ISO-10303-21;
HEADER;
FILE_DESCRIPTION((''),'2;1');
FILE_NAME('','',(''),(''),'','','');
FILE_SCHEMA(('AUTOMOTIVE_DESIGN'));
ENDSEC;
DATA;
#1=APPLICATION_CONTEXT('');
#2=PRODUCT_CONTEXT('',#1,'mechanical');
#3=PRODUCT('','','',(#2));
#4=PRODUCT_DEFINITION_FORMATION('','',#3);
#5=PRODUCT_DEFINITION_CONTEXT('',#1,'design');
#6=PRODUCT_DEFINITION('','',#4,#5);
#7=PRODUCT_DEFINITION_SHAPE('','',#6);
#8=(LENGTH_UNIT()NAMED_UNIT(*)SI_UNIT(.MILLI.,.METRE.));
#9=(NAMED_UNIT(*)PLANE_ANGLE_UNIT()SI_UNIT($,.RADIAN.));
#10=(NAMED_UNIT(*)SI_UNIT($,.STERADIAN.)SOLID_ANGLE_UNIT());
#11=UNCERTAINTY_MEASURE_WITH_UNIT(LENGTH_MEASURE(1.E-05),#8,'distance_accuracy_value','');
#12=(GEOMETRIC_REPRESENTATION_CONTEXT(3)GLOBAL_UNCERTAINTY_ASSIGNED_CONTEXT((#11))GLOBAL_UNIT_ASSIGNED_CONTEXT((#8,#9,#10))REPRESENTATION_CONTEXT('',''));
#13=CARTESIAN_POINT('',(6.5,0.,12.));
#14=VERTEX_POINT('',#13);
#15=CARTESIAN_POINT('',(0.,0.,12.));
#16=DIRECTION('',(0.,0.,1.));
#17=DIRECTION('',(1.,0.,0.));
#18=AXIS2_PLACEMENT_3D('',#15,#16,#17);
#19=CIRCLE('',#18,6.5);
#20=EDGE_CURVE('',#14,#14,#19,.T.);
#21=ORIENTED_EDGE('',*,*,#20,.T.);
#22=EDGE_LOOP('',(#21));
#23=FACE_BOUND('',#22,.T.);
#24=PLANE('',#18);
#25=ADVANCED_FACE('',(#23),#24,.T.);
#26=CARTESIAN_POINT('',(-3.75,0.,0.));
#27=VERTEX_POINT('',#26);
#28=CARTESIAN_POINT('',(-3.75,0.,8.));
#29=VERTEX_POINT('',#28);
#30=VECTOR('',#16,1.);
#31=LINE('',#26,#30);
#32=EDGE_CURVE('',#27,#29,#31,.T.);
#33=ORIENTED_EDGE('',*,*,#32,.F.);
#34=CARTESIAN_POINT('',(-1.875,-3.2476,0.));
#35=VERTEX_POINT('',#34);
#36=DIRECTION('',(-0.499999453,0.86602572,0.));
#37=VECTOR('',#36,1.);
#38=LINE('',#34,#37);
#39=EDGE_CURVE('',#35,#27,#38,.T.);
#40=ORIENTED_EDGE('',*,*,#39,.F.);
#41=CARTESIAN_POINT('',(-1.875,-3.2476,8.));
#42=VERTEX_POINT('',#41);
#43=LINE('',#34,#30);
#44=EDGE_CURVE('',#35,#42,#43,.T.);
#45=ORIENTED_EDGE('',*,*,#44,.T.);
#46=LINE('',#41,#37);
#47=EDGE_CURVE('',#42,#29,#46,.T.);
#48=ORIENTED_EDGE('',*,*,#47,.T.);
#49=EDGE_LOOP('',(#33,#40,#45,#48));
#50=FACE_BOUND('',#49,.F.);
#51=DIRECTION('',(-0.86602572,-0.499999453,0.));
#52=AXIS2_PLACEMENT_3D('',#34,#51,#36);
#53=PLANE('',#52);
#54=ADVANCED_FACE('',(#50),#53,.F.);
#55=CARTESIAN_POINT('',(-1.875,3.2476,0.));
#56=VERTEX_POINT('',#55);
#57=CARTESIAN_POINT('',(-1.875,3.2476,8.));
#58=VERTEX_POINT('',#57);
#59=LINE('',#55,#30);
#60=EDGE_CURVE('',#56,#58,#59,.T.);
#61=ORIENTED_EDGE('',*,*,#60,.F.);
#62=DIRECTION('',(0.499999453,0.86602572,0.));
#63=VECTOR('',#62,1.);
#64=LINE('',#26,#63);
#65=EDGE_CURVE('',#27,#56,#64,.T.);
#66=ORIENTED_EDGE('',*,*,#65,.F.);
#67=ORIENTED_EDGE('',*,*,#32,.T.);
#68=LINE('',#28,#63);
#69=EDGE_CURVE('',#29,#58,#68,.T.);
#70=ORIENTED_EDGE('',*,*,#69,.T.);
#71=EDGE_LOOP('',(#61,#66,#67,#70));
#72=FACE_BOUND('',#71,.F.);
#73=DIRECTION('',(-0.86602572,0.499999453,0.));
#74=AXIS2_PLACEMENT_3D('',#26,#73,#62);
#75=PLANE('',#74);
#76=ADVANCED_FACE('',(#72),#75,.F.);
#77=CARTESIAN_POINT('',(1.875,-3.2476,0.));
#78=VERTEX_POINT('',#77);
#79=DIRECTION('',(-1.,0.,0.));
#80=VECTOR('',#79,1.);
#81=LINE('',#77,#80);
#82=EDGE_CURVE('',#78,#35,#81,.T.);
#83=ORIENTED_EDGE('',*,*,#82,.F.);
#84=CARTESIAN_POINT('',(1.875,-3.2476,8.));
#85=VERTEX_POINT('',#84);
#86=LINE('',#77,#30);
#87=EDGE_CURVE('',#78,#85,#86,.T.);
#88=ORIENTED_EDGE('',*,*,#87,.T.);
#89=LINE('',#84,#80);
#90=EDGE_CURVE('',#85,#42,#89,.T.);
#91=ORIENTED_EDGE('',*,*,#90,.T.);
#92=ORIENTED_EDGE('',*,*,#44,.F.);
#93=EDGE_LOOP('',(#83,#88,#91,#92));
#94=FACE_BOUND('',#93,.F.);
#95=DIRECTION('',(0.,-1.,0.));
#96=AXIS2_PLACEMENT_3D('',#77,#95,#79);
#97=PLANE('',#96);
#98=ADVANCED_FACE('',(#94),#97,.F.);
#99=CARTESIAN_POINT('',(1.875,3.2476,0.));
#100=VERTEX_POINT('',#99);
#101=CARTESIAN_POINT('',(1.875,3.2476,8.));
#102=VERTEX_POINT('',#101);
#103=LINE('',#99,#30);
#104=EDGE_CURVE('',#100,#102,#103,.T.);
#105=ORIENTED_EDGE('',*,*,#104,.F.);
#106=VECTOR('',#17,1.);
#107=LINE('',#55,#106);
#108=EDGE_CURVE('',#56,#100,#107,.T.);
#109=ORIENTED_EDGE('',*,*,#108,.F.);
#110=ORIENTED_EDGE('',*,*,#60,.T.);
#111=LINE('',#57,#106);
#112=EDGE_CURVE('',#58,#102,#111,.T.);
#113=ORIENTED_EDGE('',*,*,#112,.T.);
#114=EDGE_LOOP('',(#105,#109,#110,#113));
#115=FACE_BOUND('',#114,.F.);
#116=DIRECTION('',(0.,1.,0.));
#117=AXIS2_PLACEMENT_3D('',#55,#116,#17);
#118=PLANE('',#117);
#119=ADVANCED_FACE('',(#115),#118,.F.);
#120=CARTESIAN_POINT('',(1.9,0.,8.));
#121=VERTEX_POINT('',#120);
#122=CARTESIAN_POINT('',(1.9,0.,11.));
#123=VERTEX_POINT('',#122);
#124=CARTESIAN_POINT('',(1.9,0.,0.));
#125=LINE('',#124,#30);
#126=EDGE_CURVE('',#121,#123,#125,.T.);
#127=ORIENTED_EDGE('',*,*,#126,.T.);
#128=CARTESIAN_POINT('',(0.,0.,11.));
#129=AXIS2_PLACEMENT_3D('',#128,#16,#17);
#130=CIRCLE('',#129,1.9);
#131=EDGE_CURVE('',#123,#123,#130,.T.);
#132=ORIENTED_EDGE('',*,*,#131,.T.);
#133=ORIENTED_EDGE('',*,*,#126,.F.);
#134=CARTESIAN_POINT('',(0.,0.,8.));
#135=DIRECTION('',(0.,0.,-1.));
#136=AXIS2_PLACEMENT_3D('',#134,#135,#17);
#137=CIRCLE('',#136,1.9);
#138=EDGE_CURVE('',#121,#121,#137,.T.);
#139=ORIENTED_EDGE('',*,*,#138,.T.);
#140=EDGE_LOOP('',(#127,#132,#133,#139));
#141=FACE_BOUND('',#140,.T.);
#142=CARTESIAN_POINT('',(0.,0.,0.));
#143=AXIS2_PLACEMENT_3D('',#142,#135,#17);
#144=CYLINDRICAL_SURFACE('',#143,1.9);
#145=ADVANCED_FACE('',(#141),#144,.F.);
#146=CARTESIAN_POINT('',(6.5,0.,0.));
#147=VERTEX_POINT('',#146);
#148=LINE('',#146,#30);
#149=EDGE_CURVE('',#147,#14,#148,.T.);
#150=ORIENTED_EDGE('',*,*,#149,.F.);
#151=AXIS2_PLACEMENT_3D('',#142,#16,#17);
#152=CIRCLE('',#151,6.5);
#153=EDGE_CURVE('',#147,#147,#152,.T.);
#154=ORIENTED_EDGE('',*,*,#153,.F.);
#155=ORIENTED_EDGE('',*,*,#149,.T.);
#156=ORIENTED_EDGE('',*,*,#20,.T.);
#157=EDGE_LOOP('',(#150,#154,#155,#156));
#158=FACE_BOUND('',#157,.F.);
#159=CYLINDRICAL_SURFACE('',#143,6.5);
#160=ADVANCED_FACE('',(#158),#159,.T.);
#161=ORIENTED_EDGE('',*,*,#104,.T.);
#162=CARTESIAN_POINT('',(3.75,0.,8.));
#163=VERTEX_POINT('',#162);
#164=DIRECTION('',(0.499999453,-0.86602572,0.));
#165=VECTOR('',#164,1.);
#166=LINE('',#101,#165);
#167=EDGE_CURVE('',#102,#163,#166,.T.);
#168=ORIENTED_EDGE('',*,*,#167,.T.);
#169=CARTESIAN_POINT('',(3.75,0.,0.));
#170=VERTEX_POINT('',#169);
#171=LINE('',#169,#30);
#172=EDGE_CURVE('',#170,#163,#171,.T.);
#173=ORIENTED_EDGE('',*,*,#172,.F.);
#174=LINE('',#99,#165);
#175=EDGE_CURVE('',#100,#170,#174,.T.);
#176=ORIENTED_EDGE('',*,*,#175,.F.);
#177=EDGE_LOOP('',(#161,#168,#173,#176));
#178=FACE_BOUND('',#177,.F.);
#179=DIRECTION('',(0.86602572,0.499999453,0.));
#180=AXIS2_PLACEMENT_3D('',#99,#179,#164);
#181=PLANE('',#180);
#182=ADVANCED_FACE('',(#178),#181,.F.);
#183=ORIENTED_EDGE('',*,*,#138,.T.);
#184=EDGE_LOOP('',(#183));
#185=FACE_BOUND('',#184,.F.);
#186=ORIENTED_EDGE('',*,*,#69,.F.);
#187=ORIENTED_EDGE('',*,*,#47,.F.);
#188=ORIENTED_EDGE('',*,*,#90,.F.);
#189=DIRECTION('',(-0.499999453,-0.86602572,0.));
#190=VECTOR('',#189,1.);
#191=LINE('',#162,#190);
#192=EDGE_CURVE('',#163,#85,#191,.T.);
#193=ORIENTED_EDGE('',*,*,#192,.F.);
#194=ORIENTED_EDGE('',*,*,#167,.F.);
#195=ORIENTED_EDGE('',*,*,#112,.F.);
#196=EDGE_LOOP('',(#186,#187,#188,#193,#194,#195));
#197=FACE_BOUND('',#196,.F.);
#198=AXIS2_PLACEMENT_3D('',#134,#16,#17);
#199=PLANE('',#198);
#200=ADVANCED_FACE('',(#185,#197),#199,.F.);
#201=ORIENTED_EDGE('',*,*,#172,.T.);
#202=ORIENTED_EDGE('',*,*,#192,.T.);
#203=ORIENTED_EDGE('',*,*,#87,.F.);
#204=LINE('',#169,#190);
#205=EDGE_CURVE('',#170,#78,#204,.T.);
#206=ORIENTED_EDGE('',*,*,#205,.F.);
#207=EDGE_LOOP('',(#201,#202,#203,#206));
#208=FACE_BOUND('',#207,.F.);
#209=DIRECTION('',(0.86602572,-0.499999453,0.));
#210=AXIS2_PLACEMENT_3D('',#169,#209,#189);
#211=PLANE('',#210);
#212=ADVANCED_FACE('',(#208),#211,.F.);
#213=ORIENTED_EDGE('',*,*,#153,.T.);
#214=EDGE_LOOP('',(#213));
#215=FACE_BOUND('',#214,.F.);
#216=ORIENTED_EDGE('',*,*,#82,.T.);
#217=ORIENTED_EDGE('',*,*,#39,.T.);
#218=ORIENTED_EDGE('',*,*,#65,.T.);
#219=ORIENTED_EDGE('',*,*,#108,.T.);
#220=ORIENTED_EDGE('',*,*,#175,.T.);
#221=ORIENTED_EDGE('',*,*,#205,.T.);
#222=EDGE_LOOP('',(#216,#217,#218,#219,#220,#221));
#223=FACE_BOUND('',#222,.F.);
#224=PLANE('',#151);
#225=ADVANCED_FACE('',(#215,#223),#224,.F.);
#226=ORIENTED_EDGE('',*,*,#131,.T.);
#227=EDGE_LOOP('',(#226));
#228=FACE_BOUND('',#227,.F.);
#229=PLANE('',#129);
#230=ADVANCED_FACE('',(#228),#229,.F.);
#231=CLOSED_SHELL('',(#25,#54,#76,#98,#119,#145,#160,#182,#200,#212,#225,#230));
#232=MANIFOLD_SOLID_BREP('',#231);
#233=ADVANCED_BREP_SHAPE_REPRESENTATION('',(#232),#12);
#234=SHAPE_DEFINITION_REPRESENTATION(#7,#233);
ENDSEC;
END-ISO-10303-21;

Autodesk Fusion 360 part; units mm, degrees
sketch "post void" plane through (0, 0, 0) normal (0, 0, 1) x (1, 0, 0)
  circle A0 centre (0, 0) radius 3.75
  line L0 (0, 0) -> (1.875, 3.2476)
  line L1 (0, 0) -> (3.75, 0) construction
  line L2 (0, 0) -> (-1.875, 3.2476)
  line L3 (0, 0) -> (-3.75, 0)
  line L4 (0, 0) -> (-1.875, -3.2476)
  line L5 (0, 0) -> (1.875, -3.2476)
  line L6 (0, 0) -> (3.75, 0)
  line L7 (3.75, 0) -> (1.875, -3.2476)
  line L8 (1.875, -3.2476) -> (-1.875, -3.2476)
  line L9 (-1.875, -3.2476) -> (-3.75, 0)
  line L10 (-3.75, 0) -> (-1.875, 3.2476)
  line L11 (-1.875, 3.2476) -> (1.875, 3.2476)
  line L12 (1.875, 3.2476) -> (3.75, 0)
  dimension "d32" = 7.5
  dimension "d34" = 60
  dimension "d35" = 3.75
  dimension "d36" = 60
  dimension "d37" = 3.75
  dimension "d38" = 60
  dimension "d39" = 3.75
  dimension "d40" = 60
  dimension "d41" = 3.75
  dimension "d42" = 60
  dimension "d43" = 3.75
  dimension "d44" = 60
  dimension "d45" = 3.75
sketch "Wall" plane through (0, 0, 0) normal (0, 0, 1) x (1, 0, 0)
  circle A0 centre (0, 0) radius 6.5
  dimension "d46" = 13
extrude "Extrude1" add sketch "Wall" along normal blind 12
extrude "Extrude2" cut sketch "post void" along normal blind 8 contours L5 L6 L7 | L0 L6 L12 | L0 L2 L11 | L4 L5 L8 | L2 L3 L10 | L3 L4 L9
sketch "Sketch3" plane through (0, 0, 0) normal (0, 0, 1) x (1, 0, 0)
  circle A0 centre (0, 0) radius 1.9
  dimension "d51" = 3.8
extrude "Extrude3" cut sketch "Sketch3" along normal blind 11
equation "d35 = ( 7.5 / 2 ) * 1 mm"
equation "d37 = ( 7.5 / 2 ) * 1 mm"
equation "d39 = ( 7.5 / 2 ) * 1 mm"
equation "d41 = ( 7.5 / 2 ) * 1 mm"
equation "d43 = ( 7.5 / 2 ) * 1 mm"
equation "d45 = ( 7.5 / 2 ) * 1 mm"
equation "d49 = 10.00 mm - 2 mm"
